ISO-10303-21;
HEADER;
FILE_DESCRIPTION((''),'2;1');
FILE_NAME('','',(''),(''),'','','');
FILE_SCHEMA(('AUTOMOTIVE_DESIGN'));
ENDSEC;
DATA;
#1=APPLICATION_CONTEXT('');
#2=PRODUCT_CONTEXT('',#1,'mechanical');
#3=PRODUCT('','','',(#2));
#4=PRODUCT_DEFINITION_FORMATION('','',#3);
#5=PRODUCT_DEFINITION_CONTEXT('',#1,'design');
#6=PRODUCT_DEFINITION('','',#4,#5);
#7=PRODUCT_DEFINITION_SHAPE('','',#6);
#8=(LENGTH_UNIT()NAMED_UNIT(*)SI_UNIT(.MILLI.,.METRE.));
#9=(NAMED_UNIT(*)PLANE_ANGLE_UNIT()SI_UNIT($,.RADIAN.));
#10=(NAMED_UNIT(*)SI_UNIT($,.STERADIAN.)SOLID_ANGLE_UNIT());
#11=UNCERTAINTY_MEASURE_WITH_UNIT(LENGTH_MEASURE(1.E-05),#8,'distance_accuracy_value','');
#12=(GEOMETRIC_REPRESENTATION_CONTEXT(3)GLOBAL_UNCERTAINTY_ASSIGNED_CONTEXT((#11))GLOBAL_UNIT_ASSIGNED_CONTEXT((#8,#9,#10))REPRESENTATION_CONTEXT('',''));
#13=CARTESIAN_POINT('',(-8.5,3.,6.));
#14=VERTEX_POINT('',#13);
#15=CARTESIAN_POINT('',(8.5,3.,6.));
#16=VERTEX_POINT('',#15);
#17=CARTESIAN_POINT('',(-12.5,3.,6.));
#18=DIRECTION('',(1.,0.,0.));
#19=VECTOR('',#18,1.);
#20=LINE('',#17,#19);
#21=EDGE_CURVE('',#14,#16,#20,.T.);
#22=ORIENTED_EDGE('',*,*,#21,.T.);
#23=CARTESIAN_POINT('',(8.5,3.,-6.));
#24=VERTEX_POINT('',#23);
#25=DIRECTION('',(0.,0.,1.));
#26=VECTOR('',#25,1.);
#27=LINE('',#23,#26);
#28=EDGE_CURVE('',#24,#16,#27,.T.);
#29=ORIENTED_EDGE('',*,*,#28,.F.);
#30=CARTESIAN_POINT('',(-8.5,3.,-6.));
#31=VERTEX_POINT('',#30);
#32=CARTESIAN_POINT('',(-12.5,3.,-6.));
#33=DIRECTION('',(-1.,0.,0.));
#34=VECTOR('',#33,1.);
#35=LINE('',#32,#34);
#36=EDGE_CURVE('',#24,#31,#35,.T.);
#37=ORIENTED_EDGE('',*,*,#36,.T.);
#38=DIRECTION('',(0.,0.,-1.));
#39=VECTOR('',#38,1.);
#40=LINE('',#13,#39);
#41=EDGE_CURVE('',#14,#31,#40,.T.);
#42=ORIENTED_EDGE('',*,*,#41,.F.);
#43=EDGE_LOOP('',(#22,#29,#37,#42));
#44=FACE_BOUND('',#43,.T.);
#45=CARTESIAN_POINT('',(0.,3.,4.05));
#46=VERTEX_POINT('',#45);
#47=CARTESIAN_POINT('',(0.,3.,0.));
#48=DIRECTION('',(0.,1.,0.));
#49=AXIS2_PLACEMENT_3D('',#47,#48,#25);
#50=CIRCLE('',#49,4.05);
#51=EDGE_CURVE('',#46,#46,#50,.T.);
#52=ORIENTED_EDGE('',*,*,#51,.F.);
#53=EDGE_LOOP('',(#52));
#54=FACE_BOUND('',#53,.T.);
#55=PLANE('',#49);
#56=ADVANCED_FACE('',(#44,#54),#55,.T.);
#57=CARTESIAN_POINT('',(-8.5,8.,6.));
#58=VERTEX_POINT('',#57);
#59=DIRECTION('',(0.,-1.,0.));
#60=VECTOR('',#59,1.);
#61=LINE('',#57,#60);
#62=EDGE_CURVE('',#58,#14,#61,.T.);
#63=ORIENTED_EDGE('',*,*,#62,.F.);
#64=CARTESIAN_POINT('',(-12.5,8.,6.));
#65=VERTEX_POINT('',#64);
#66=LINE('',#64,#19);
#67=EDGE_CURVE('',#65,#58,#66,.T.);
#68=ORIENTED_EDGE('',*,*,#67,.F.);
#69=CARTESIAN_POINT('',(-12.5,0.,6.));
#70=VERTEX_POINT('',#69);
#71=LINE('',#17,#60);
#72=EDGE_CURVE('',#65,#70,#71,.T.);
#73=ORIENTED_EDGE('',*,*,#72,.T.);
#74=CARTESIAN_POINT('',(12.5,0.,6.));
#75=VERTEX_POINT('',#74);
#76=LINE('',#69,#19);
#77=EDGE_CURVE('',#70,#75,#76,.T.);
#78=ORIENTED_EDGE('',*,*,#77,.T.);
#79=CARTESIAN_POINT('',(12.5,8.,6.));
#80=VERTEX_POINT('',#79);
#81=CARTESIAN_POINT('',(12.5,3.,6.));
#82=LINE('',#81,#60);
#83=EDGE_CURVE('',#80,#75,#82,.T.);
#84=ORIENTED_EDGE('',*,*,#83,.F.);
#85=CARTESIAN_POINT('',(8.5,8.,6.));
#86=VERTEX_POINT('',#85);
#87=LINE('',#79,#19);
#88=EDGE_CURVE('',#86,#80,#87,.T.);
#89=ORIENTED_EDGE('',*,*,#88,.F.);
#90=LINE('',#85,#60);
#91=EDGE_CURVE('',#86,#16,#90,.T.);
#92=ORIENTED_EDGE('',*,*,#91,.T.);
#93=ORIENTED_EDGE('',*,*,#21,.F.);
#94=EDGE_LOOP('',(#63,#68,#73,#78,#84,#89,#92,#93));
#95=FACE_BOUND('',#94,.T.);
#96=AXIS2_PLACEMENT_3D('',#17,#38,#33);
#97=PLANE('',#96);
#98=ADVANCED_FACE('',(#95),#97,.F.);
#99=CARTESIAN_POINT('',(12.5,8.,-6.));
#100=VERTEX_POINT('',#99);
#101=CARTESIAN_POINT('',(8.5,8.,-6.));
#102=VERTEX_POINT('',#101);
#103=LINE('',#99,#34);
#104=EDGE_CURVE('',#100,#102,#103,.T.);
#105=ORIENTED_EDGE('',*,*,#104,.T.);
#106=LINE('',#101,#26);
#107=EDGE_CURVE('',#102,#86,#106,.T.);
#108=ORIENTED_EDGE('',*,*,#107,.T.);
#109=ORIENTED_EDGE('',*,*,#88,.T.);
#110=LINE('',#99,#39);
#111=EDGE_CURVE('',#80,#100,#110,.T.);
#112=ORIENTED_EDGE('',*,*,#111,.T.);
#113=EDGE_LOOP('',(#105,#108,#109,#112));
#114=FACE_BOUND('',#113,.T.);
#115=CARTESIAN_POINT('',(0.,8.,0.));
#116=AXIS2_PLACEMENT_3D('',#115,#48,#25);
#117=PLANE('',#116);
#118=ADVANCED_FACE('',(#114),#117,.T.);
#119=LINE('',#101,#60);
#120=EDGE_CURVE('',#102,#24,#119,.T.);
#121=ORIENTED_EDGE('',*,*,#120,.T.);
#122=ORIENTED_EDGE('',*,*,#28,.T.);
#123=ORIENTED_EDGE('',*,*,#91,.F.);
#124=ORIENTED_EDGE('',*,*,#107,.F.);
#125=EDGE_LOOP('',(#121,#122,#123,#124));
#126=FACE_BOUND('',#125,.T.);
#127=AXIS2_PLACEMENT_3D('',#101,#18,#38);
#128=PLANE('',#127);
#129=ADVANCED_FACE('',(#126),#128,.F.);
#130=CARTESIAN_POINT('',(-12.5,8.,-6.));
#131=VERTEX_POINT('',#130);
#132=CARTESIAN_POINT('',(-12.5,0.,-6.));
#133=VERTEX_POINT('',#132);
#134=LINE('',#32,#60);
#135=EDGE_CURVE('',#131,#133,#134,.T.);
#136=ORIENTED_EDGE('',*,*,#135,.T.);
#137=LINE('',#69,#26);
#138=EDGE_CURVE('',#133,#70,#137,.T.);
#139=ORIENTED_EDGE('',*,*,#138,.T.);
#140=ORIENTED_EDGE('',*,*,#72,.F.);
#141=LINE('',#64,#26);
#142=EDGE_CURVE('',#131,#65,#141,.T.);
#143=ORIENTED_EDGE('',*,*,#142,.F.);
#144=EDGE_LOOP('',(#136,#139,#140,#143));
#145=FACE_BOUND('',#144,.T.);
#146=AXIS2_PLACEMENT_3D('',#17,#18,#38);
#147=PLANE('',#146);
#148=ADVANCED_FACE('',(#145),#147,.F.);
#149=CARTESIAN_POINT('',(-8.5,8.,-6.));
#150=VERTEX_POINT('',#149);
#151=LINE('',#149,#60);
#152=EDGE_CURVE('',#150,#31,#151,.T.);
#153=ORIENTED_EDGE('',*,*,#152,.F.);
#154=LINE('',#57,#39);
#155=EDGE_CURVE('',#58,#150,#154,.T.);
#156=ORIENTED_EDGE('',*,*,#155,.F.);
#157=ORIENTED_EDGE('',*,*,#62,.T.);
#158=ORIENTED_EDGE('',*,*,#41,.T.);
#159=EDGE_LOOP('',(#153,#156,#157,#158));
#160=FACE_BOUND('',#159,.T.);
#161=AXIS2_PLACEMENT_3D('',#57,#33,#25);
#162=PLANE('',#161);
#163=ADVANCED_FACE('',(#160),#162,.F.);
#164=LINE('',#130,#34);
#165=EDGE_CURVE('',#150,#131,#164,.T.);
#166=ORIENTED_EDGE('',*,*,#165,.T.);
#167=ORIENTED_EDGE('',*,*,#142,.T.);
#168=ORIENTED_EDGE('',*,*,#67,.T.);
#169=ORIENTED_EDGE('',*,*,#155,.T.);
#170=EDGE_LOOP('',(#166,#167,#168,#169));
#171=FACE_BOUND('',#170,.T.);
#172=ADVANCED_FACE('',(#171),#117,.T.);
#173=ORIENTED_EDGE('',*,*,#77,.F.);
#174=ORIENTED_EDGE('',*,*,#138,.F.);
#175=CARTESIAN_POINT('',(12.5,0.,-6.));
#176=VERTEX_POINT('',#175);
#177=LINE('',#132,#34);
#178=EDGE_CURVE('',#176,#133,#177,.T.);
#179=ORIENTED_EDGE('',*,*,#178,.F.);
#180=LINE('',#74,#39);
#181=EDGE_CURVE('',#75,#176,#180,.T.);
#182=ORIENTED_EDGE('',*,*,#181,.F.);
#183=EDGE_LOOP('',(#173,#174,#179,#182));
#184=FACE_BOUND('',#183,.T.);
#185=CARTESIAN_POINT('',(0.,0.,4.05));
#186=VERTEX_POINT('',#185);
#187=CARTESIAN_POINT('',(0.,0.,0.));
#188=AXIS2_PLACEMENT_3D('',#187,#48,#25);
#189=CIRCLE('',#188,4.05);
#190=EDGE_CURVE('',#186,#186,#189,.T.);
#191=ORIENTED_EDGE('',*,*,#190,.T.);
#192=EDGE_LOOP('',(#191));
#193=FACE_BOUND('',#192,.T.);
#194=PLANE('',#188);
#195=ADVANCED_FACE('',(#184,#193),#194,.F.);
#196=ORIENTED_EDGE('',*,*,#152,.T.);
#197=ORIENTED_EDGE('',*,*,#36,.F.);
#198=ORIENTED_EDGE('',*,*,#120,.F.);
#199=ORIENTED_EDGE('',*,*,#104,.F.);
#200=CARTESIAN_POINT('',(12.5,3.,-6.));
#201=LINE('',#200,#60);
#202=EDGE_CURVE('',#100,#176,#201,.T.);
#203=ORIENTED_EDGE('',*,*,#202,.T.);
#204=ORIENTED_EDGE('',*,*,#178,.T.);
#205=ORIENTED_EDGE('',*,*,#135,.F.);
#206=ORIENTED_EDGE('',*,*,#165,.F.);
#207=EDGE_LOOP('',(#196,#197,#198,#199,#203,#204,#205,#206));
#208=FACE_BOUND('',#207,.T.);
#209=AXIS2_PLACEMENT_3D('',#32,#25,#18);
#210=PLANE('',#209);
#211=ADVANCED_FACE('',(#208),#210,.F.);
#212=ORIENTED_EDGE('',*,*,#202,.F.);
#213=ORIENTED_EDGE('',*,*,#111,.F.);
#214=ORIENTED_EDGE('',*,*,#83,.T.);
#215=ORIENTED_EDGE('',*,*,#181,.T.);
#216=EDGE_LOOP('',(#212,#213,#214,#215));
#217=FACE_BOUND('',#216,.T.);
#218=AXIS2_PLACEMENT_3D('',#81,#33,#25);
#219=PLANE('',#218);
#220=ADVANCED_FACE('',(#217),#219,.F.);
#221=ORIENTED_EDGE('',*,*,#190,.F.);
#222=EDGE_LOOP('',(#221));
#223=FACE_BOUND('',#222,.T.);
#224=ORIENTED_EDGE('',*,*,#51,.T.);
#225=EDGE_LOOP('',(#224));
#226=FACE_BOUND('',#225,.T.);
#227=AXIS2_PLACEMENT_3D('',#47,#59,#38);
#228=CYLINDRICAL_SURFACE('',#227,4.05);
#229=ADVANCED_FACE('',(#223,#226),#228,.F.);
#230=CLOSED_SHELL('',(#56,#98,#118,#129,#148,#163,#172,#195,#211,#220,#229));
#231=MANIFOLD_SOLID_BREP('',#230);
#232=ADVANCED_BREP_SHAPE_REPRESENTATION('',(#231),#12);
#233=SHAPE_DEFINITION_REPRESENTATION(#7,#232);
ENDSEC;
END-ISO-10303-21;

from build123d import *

# Parameters (mm, degrees)
SKETCH1_W           = 25
SKETCH1_H           = 12
SKETCH1_R           = 4.05
BOSS_EXTRUDE1_DEPTH = 3
SKETCH2_W           = 4
SKETCH2_H           = 12
BOSS_EXTRUDE2_DEPTH = 5


with BuildPart() as part:
    # Sketch1 → Boss-Extrude1 (new body)
    with BuildSketch(Plane(origin=(0, 0, 0), x_dir=(1, 0, 0), z_dir=(0, 1, 0))):
        Rectangle(SKETCH1_W, SKETCH1_H)
        with Locations(Location((0, 0, 0), (0, 0, 270))):
            Circle(SKETCH1_R, mode=Mode.SUBTRACT)
    extrude(amount=BOSS_EXTRUDE1_DEPTH)

    # Sketch2 → Boss-Extrude2 (add)
    with BuildSketch(Plane(origin=(0, 3, 0), x_dir=(1, 0, 0), z_dir=(0, 1, 0))):
        with Locations((-10.5, 0)):
            Rectangle(SKETCH2_W, SKETCH2_H)
        with Locations((10.5, 0)):
            Rectangle(SKETCH2_W, SKETCH2_H)
    extrude(amount=BOSS_EXTRUDE2_DEPTH)


solid = part.part
